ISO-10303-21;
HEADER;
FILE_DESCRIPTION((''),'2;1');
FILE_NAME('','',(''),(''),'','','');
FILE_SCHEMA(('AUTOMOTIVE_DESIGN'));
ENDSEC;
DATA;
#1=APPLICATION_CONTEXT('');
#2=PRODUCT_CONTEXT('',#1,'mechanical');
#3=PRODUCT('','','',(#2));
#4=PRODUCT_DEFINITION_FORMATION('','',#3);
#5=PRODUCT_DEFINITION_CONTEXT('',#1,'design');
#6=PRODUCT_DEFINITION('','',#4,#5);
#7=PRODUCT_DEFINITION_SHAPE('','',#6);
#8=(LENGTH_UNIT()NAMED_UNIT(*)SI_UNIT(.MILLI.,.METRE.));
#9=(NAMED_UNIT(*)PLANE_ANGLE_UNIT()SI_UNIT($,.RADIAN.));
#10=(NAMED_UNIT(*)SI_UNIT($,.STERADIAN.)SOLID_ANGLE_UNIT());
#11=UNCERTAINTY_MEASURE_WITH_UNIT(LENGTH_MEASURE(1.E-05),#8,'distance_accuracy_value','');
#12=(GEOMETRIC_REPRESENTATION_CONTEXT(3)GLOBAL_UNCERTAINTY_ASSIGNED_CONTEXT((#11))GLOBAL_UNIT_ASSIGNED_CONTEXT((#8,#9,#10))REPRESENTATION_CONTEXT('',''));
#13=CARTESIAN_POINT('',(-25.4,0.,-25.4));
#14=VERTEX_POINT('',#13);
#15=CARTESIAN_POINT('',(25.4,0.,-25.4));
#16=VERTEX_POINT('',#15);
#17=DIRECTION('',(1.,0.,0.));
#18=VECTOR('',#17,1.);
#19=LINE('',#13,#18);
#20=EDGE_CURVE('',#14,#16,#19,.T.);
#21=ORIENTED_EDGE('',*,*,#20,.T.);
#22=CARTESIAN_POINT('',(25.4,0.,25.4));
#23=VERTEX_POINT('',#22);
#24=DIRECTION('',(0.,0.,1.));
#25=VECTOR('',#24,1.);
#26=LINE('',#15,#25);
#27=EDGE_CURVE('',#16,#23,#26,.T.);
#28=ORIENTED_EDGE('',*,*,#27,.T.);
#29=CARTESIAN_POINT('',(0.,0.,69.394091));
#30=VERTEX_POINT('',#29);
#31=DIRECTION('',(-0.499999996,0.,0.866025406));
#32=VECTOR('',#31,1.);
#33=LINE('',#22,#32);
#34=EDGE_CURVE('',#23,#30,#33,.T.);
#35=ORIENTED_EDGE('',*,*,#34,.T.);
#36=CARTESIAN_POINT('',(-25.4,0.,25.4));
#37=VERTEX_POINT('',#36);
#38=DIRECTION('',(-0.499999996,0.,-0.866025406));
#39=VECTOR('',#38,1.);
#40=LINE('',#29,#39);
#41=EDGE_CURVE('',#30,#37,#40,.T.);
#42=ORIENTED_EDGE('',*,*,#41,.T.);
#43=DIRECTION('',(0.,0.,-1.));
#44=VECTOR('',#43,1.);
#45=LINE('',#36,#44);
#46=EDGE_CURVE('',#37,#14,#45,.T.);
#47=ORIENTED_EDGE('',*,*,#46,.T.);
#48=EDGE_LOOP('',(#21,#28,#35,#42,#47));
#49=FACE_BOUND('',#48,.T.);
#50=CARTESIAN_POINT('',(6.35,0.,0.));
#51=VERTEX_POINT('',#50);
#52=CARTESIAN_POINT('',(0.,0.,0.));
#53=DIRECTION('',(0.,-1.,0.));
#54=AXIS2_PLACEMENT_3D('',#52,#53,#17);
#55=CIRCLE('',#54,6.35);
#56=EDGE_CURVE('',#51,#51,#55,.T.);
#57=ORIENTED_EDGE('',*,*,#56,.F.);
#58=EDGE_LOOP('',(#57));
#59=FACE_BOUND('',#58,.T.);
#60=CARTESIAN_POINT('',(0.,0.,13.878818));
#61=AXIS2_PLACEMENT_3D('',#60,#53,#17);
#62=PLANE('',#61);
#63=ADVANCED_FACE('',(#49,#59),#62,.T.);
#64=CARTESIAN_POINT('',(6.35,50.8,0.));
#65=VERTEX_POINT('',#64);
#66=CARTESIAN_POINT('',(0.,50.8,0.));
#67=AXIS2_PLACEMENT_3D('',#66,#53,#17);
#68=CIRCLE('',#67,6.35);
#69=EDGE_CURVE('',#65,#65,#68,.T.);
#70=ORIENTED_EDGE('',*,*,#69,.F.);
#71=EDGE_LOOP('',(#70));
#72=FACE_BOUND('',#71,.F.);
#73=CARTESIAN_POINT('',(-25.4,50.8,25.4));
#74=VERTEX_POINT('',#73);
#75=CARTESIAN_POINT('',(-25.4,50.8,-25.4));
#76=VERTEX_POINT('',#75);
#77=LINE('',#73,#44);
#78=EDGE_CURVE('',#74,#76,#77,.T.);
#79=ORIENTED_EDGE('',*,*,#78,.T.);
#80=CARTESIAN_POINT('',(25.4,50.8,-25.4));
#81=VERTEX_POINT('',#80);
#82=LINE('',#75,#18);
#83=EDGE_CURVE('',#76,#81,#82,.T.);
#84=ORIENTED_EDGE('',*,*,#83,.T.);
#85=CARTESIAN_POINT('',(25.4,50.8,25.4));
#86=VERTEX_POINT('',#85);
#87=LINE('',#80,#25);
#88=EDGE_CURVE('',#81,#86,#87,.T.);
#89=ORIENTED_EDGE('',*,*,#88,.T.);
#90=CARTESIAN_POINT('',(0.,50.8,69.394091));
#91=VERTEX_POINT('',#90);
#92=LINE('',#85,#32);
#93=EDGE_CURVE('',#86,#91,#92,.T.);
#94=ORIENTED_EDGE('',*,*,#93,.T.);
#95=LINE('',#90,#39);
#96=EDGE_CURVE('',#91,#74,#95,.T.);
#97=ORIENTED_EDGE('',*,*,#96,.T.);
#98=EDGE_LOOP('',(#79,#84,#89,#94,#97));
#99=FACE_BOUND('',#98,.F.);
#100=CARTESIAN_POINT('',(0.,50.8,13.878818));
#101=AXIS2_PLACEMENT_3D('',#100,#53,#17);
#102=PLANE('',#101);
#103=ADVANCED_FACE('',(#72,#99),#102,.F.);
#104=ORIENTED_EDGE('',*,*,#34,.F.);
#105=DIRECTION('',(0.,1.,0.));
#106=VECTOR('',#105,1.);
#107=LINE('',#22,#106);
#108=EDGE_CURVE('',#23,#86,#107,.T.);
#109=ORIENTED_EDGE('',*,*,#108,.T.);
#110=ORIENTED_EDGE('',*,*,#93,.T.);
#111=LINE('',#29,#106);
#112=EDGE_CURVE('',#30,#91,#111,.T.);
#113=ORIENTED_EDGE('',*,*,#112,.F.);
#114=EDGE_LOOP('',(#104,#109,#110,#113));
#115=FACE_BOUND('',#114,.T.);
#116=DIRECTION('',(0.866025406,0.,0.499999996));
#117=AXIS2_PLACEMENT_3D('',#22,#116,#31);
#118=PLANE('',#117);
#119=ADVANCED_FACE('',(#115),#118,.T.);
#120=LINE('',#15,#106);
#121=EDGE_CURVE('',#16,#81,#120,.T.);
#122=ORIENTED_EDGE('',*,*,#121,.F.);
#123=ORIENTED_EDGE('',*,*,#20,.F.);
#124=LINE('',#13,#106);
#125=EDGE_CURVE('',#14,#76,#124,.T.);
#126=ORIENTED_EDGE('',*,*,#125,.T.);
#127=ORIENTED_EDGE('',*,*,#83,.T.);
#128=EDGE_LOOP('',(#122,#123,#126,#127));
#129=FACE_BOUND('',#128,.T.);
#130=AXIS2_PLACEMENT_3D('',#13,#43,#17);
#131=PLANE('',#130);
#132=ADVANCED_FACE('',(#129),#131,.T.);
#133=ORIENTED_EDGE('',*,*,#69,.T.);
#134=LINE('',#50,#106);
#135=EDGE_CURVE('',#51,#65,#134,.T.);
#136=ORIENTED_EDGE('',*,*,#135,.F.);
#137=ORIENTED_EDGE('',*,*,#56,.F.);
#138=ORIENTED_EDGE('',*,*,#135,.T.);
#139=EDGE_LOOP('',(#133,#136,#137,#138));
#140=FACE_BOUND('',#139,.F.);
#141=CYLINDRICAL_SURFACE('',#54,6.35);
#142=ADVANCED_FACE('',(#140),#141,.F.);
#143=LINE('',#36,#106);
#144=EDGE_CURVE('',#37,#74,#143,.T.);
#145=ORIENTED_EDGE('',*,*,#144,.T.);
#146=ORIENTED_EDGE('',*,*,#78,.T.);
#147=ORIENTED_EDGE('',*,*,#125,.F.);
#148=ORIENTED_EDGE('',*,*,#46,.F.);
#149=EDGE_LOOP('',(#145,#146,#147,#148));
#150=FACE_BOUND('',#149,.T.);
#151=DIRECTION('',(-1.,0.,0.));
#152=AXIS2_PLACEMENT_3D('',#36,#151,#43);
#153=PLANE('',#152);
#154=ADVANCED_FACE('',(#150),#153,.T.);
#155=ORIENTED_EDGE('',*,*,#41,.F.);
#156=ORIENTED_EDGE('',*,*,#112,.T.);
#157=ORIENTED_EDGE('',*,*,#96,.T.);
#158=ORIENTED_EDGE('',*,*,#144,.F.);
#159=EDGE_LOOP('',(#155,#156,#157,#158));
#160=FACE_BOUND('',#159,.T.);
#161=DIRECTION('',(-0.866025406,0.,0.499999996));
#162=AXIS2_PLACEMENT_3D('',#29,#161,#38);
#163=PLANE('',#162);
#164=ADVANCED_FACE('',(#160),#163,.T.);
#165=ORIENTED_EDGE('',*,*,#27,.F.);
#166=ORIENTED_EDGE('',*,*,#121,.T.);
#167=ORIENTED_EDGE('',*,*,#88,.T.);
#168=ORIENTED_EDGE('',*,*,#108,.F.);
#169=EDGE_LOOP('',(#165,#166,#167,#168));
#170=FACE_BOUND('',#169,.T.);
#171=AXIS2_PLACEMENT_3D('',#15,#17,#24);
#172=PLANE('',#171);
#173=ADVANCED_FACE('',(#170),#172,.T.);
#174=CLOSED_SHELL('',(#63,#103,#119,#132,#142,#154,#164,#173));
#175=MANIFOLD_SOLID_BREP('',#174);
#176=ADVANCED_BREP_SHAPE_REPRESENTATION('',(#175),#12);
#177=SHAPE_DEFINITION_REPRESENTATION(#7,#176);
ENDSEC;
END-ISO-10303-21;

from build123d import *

# Parameters (mm, degrees)
F0_R     = 6.35
F1_DEPTH = 50.8


with BuildPart() as f1:
    # F0 (on Front) → F1 (new body)
    with BuildSketch(Plane.XZ):
        Polygon((-25.4, -25.4), (25.4, -25.4), (25.4, 25.4), (0, 69.394091), (-25.4, 25.4), align=None)
        Circle(F0_R, mode=Mode.SUBTRACT)
    extrude(amount=-F1_DEPTH)


solid = f1.part
